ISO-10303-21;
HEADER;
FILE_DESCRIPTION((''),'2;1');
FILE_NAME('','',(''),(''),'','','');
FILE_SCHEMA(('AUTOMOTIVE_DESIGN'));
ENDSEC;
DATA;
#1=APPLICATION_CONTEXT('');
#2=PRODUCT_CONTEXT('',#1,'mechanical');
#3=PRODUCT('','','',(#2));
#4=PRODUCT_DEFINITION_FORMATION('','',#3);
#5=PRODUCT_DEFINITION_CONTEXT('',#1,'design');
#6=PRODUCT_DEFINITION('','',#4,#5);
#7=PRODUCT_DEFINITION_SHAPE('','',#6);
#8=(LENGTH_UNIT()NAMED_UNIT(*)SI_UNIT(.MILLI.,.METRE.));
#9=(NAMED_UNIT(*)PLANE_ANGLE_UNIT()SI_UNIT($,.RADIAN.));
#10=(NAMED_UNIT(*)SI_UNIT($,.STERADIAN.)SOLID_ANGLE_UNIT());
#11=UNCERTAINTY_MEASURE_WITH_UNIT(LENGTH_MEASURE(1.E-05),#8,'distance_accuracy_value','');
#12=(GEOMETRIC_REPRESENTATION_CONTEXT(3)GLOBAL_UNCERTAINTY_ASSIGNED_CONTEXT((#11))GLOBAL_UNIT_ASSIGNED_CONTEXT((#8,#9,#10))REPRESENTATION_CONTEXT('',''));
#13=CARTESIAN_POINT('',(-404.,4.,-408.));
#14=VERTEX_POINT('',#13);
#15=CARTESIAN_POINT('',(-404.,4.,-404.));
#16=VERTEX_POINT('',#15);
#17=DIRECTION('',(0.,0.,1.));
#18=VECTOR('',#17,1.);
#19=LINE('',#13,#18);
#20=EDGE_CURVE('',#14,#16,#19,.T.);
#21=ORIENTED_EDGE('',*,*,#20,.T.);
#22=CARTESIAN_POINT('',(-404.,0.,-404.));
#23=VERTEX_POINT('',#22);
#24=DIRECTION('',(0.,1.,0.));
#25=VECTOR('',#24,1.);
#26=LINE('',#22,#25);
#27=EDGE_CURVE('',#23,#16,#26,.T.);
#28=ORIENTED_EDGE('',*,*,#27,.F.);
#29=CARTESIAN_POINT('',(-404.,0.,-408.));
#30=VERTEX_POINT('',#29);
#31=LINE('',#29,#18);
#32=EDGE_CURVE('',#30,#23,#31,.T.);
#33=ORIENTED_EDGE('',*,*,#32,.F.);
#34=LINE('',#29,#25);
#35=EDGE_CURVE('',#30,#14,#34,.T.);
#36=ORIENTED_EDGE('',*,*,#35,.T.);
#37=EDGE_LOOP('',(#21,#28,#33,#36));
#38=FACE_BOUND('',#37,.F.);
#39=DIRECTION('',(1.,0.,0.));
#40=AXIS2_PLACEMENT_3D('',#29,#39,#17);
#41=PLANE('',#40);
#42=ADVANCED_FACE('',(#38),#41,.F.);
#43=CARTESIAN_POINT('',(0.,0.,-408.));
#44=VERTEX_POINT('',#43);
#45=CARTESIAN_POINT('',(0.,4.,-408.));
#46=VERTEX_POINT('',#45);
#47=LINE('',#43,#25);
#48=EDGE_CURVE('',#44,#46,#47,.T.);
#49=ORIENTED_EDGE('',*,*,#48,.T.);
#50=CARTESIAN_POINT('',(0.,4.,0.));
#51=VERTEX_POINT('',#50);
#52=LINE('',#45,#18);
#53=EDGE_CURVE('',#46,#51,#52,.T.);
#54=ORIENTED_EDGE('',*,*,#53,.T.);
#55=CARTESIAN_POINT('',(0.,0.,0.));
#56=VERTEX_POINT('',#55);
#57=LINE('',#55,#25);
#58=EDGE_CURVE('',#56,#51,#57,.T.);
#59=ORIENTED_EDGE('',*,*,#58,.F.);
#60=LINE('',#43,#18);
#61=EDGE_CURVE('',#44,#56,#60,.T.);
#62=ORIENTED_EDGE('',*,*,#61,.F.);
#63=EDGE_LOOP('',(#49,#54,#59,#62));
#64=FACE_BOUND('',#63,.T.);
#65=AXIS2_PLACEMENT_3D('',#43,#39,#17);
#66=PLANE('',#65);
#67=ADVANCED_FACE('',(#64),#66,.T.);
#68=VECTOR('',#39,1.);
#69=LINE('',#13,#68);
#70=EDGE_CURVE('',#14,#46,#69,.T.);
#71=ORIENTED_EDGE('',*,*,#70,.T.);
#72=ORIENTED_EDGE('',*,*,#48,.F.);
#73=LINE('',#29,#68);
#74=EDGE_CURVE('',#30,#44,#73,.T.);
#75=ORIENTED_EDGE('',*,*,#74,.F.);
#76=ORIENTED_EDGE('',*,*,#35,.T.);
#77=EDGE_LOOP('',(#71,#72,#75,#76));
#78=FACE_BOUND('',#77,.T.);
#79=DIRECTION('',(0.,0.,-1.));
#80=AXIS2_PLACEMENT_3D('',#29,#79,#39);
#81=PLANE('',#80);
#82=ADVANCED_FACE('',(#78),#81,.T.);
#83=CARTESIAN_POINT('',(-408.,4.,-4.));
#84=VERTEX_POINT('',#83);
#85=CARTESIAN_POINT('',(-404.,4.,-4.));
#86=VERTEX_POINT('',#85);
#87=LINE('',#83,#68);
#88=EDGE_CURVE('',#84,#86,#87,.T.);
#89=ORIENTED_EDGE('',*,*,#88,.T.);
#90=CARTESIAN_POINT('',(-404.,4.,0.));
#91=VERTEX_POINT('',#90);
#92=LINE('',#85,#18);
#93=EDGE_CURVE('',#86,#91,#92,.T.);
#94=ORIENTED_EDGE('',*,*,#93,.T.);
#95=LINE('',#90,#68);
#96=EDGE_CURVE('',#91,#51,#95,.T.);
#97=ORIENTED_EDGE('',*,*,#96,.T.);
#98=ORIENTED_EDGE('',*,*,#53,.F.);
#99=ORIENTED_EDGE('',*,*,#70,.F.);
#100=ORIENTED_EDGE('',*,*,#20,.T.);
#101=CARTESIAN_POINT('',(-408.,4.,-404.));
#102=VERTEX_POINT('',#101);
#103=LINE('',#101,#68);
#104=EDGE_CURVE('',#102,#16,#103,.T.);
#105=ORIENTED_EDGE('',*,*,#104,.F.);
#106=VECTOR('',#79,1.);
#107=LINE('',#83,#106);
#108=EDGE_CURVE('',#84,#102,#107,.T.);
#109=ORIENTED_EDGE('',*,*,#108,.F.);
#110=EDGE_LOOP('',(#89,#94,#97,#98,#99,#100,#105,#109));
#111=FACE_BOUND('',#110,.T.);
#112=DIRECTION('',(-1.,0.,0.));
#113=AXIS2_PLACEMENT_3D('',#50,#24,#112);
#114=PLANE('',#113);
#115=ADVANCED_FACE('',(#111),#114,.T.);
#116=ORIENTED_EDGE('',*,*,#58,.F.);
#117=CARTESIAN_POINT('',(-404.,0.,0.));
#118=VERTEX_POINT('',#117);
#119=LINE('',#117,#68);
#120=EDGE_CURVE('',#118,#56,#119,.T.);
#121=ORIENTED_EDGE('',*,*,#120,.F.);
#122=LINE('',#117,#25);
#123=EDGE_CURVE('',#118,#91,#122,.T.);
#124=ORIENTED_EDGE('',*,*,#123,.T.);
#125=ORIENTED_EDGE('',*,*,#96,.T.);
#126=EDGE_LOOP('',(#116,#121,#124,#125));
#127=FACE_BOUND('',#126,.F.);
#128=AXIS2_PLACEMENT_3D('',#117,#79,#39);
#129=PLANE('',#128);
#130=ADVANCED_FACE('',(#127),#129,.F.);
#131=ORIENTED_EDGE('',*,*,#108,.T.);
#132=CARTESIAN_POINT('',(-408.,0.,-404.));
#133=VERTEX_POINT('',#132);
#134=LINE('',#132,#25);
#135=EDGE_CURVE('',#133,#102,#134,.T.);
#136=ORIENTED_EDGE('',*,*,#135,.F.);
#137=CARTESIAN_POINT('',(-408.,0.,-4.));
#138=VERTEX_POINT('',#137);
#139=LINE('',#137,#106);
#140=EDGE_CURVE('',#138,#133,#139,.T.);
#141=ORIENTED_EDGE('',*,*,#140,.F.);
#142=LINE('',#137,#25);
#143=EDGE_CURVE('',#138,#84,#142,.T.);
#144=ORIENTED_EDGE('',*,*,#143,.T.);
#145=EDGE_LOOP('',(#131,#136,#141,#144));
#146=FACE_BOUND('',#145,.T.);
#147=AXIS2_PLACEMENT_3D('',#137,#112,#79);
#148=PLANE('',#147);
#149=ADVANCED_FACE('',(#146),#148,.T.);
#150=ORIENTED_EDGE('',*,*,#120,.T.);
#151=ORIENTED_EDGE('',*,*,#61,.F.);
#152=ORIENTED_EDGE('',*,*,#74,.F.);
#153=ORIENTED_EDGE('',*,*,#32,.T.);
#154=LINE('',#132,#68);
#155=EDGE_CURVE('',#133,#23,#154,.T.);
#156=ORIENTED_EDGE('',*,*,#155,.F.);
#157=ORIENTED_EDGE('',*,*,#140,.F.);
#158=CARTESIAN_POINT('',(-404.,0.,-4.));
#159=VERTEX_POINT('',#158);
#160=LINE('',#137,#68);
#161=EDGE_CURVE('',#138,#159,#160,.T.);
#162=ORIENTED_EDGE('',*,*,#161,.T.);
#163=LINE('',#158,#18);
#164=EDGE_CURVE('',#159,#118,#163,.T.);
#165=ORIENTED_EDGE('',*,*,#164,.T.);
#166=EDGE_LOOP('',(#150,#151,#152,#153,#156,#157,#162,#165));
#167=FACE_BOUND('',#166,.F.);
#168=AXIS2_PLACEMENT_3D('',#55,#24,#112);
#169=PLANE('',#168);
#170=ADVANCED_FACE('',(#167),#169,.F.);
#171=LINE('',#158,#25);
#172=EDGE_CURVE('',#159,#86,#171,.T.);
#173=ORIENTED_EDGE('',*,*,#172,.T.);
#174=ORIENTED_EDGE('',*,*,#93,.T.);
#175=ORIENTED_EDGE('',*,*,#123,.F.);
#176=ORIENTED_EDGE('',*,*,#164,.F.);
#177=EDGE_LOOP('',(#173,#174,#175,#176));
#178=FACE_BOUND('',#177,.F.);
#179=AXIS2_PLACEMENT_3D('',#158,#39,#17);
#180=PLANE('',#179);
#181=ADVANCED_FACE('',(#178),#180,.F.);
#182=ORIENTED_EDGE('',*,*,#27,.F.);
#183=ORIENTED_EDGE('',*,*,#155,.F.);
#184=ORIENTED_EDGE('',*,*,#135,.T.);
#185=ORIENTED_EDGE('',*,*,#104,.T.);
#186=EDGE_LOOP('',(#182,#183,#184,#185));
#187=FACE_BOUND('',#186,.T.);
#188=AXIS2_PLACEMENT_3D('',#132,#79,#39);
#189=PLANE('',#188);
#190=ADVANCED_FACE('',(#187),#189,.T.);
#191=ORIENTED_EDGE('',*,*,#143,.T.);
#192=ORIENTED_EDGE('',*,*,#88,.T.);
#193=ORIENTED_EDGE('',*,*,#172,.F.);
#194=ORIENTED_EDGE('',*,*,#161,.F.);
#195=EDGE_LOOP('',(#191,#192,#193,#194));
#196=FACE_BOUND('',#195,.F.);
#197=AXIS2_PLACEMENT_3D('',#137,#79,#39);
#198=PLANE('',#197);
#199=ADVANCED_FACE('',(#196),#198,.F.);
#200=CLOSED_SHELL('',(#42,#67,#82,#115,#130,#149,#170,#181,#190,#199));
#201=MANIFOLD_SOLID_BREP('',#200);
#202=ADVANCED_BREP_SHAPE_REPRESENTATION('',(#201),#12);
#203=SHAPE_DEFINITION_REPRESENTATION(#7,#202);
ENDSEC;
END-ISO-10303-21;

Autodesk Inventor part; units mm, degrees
ref_plane "YZ Plane" through (0, 0, 0) normal (1, 0, 0) x (0, 1, 0)
ref_plane "XZ Plane" through (0, 0, 0) normal (0, 1, 0) x (-1, 0, 0)
ref_plane "XY Plane" through (0, 0, 0) normal (0, 0, 1) x (1, 0, 0)
sketch "Эскиз1" plane through (0, 0, 0) normal (0, 1, 0) x (-1, 0, 0)
  line L0 (0, -408) -> (0, 0)
  line L1 (408, -4) -> (404, -4)
  line L2 (404, -4) -> (404, 0)
  line L3 (404, 0) -> (0, 0)
  line L4 (404, -408) -> (404, -404)
  line L5 (408, -404) -> (404, -404)
  line L6 (408, -4) -> (408, -404)
  line L7 (404, -408) -> (0, -408)
  dimension "d4" = 4
  dimension "d5" = 4
  dimension "d8" = 404
  dimension "d10" = 400
  dimension "d13" = 408
  dimension "d15" = 4
  dimension "d16" = 4
extrude "Выдавливание1" add sketch "Эскиз1" along normal blind 4
properties part number "Wall_Back_ext"
